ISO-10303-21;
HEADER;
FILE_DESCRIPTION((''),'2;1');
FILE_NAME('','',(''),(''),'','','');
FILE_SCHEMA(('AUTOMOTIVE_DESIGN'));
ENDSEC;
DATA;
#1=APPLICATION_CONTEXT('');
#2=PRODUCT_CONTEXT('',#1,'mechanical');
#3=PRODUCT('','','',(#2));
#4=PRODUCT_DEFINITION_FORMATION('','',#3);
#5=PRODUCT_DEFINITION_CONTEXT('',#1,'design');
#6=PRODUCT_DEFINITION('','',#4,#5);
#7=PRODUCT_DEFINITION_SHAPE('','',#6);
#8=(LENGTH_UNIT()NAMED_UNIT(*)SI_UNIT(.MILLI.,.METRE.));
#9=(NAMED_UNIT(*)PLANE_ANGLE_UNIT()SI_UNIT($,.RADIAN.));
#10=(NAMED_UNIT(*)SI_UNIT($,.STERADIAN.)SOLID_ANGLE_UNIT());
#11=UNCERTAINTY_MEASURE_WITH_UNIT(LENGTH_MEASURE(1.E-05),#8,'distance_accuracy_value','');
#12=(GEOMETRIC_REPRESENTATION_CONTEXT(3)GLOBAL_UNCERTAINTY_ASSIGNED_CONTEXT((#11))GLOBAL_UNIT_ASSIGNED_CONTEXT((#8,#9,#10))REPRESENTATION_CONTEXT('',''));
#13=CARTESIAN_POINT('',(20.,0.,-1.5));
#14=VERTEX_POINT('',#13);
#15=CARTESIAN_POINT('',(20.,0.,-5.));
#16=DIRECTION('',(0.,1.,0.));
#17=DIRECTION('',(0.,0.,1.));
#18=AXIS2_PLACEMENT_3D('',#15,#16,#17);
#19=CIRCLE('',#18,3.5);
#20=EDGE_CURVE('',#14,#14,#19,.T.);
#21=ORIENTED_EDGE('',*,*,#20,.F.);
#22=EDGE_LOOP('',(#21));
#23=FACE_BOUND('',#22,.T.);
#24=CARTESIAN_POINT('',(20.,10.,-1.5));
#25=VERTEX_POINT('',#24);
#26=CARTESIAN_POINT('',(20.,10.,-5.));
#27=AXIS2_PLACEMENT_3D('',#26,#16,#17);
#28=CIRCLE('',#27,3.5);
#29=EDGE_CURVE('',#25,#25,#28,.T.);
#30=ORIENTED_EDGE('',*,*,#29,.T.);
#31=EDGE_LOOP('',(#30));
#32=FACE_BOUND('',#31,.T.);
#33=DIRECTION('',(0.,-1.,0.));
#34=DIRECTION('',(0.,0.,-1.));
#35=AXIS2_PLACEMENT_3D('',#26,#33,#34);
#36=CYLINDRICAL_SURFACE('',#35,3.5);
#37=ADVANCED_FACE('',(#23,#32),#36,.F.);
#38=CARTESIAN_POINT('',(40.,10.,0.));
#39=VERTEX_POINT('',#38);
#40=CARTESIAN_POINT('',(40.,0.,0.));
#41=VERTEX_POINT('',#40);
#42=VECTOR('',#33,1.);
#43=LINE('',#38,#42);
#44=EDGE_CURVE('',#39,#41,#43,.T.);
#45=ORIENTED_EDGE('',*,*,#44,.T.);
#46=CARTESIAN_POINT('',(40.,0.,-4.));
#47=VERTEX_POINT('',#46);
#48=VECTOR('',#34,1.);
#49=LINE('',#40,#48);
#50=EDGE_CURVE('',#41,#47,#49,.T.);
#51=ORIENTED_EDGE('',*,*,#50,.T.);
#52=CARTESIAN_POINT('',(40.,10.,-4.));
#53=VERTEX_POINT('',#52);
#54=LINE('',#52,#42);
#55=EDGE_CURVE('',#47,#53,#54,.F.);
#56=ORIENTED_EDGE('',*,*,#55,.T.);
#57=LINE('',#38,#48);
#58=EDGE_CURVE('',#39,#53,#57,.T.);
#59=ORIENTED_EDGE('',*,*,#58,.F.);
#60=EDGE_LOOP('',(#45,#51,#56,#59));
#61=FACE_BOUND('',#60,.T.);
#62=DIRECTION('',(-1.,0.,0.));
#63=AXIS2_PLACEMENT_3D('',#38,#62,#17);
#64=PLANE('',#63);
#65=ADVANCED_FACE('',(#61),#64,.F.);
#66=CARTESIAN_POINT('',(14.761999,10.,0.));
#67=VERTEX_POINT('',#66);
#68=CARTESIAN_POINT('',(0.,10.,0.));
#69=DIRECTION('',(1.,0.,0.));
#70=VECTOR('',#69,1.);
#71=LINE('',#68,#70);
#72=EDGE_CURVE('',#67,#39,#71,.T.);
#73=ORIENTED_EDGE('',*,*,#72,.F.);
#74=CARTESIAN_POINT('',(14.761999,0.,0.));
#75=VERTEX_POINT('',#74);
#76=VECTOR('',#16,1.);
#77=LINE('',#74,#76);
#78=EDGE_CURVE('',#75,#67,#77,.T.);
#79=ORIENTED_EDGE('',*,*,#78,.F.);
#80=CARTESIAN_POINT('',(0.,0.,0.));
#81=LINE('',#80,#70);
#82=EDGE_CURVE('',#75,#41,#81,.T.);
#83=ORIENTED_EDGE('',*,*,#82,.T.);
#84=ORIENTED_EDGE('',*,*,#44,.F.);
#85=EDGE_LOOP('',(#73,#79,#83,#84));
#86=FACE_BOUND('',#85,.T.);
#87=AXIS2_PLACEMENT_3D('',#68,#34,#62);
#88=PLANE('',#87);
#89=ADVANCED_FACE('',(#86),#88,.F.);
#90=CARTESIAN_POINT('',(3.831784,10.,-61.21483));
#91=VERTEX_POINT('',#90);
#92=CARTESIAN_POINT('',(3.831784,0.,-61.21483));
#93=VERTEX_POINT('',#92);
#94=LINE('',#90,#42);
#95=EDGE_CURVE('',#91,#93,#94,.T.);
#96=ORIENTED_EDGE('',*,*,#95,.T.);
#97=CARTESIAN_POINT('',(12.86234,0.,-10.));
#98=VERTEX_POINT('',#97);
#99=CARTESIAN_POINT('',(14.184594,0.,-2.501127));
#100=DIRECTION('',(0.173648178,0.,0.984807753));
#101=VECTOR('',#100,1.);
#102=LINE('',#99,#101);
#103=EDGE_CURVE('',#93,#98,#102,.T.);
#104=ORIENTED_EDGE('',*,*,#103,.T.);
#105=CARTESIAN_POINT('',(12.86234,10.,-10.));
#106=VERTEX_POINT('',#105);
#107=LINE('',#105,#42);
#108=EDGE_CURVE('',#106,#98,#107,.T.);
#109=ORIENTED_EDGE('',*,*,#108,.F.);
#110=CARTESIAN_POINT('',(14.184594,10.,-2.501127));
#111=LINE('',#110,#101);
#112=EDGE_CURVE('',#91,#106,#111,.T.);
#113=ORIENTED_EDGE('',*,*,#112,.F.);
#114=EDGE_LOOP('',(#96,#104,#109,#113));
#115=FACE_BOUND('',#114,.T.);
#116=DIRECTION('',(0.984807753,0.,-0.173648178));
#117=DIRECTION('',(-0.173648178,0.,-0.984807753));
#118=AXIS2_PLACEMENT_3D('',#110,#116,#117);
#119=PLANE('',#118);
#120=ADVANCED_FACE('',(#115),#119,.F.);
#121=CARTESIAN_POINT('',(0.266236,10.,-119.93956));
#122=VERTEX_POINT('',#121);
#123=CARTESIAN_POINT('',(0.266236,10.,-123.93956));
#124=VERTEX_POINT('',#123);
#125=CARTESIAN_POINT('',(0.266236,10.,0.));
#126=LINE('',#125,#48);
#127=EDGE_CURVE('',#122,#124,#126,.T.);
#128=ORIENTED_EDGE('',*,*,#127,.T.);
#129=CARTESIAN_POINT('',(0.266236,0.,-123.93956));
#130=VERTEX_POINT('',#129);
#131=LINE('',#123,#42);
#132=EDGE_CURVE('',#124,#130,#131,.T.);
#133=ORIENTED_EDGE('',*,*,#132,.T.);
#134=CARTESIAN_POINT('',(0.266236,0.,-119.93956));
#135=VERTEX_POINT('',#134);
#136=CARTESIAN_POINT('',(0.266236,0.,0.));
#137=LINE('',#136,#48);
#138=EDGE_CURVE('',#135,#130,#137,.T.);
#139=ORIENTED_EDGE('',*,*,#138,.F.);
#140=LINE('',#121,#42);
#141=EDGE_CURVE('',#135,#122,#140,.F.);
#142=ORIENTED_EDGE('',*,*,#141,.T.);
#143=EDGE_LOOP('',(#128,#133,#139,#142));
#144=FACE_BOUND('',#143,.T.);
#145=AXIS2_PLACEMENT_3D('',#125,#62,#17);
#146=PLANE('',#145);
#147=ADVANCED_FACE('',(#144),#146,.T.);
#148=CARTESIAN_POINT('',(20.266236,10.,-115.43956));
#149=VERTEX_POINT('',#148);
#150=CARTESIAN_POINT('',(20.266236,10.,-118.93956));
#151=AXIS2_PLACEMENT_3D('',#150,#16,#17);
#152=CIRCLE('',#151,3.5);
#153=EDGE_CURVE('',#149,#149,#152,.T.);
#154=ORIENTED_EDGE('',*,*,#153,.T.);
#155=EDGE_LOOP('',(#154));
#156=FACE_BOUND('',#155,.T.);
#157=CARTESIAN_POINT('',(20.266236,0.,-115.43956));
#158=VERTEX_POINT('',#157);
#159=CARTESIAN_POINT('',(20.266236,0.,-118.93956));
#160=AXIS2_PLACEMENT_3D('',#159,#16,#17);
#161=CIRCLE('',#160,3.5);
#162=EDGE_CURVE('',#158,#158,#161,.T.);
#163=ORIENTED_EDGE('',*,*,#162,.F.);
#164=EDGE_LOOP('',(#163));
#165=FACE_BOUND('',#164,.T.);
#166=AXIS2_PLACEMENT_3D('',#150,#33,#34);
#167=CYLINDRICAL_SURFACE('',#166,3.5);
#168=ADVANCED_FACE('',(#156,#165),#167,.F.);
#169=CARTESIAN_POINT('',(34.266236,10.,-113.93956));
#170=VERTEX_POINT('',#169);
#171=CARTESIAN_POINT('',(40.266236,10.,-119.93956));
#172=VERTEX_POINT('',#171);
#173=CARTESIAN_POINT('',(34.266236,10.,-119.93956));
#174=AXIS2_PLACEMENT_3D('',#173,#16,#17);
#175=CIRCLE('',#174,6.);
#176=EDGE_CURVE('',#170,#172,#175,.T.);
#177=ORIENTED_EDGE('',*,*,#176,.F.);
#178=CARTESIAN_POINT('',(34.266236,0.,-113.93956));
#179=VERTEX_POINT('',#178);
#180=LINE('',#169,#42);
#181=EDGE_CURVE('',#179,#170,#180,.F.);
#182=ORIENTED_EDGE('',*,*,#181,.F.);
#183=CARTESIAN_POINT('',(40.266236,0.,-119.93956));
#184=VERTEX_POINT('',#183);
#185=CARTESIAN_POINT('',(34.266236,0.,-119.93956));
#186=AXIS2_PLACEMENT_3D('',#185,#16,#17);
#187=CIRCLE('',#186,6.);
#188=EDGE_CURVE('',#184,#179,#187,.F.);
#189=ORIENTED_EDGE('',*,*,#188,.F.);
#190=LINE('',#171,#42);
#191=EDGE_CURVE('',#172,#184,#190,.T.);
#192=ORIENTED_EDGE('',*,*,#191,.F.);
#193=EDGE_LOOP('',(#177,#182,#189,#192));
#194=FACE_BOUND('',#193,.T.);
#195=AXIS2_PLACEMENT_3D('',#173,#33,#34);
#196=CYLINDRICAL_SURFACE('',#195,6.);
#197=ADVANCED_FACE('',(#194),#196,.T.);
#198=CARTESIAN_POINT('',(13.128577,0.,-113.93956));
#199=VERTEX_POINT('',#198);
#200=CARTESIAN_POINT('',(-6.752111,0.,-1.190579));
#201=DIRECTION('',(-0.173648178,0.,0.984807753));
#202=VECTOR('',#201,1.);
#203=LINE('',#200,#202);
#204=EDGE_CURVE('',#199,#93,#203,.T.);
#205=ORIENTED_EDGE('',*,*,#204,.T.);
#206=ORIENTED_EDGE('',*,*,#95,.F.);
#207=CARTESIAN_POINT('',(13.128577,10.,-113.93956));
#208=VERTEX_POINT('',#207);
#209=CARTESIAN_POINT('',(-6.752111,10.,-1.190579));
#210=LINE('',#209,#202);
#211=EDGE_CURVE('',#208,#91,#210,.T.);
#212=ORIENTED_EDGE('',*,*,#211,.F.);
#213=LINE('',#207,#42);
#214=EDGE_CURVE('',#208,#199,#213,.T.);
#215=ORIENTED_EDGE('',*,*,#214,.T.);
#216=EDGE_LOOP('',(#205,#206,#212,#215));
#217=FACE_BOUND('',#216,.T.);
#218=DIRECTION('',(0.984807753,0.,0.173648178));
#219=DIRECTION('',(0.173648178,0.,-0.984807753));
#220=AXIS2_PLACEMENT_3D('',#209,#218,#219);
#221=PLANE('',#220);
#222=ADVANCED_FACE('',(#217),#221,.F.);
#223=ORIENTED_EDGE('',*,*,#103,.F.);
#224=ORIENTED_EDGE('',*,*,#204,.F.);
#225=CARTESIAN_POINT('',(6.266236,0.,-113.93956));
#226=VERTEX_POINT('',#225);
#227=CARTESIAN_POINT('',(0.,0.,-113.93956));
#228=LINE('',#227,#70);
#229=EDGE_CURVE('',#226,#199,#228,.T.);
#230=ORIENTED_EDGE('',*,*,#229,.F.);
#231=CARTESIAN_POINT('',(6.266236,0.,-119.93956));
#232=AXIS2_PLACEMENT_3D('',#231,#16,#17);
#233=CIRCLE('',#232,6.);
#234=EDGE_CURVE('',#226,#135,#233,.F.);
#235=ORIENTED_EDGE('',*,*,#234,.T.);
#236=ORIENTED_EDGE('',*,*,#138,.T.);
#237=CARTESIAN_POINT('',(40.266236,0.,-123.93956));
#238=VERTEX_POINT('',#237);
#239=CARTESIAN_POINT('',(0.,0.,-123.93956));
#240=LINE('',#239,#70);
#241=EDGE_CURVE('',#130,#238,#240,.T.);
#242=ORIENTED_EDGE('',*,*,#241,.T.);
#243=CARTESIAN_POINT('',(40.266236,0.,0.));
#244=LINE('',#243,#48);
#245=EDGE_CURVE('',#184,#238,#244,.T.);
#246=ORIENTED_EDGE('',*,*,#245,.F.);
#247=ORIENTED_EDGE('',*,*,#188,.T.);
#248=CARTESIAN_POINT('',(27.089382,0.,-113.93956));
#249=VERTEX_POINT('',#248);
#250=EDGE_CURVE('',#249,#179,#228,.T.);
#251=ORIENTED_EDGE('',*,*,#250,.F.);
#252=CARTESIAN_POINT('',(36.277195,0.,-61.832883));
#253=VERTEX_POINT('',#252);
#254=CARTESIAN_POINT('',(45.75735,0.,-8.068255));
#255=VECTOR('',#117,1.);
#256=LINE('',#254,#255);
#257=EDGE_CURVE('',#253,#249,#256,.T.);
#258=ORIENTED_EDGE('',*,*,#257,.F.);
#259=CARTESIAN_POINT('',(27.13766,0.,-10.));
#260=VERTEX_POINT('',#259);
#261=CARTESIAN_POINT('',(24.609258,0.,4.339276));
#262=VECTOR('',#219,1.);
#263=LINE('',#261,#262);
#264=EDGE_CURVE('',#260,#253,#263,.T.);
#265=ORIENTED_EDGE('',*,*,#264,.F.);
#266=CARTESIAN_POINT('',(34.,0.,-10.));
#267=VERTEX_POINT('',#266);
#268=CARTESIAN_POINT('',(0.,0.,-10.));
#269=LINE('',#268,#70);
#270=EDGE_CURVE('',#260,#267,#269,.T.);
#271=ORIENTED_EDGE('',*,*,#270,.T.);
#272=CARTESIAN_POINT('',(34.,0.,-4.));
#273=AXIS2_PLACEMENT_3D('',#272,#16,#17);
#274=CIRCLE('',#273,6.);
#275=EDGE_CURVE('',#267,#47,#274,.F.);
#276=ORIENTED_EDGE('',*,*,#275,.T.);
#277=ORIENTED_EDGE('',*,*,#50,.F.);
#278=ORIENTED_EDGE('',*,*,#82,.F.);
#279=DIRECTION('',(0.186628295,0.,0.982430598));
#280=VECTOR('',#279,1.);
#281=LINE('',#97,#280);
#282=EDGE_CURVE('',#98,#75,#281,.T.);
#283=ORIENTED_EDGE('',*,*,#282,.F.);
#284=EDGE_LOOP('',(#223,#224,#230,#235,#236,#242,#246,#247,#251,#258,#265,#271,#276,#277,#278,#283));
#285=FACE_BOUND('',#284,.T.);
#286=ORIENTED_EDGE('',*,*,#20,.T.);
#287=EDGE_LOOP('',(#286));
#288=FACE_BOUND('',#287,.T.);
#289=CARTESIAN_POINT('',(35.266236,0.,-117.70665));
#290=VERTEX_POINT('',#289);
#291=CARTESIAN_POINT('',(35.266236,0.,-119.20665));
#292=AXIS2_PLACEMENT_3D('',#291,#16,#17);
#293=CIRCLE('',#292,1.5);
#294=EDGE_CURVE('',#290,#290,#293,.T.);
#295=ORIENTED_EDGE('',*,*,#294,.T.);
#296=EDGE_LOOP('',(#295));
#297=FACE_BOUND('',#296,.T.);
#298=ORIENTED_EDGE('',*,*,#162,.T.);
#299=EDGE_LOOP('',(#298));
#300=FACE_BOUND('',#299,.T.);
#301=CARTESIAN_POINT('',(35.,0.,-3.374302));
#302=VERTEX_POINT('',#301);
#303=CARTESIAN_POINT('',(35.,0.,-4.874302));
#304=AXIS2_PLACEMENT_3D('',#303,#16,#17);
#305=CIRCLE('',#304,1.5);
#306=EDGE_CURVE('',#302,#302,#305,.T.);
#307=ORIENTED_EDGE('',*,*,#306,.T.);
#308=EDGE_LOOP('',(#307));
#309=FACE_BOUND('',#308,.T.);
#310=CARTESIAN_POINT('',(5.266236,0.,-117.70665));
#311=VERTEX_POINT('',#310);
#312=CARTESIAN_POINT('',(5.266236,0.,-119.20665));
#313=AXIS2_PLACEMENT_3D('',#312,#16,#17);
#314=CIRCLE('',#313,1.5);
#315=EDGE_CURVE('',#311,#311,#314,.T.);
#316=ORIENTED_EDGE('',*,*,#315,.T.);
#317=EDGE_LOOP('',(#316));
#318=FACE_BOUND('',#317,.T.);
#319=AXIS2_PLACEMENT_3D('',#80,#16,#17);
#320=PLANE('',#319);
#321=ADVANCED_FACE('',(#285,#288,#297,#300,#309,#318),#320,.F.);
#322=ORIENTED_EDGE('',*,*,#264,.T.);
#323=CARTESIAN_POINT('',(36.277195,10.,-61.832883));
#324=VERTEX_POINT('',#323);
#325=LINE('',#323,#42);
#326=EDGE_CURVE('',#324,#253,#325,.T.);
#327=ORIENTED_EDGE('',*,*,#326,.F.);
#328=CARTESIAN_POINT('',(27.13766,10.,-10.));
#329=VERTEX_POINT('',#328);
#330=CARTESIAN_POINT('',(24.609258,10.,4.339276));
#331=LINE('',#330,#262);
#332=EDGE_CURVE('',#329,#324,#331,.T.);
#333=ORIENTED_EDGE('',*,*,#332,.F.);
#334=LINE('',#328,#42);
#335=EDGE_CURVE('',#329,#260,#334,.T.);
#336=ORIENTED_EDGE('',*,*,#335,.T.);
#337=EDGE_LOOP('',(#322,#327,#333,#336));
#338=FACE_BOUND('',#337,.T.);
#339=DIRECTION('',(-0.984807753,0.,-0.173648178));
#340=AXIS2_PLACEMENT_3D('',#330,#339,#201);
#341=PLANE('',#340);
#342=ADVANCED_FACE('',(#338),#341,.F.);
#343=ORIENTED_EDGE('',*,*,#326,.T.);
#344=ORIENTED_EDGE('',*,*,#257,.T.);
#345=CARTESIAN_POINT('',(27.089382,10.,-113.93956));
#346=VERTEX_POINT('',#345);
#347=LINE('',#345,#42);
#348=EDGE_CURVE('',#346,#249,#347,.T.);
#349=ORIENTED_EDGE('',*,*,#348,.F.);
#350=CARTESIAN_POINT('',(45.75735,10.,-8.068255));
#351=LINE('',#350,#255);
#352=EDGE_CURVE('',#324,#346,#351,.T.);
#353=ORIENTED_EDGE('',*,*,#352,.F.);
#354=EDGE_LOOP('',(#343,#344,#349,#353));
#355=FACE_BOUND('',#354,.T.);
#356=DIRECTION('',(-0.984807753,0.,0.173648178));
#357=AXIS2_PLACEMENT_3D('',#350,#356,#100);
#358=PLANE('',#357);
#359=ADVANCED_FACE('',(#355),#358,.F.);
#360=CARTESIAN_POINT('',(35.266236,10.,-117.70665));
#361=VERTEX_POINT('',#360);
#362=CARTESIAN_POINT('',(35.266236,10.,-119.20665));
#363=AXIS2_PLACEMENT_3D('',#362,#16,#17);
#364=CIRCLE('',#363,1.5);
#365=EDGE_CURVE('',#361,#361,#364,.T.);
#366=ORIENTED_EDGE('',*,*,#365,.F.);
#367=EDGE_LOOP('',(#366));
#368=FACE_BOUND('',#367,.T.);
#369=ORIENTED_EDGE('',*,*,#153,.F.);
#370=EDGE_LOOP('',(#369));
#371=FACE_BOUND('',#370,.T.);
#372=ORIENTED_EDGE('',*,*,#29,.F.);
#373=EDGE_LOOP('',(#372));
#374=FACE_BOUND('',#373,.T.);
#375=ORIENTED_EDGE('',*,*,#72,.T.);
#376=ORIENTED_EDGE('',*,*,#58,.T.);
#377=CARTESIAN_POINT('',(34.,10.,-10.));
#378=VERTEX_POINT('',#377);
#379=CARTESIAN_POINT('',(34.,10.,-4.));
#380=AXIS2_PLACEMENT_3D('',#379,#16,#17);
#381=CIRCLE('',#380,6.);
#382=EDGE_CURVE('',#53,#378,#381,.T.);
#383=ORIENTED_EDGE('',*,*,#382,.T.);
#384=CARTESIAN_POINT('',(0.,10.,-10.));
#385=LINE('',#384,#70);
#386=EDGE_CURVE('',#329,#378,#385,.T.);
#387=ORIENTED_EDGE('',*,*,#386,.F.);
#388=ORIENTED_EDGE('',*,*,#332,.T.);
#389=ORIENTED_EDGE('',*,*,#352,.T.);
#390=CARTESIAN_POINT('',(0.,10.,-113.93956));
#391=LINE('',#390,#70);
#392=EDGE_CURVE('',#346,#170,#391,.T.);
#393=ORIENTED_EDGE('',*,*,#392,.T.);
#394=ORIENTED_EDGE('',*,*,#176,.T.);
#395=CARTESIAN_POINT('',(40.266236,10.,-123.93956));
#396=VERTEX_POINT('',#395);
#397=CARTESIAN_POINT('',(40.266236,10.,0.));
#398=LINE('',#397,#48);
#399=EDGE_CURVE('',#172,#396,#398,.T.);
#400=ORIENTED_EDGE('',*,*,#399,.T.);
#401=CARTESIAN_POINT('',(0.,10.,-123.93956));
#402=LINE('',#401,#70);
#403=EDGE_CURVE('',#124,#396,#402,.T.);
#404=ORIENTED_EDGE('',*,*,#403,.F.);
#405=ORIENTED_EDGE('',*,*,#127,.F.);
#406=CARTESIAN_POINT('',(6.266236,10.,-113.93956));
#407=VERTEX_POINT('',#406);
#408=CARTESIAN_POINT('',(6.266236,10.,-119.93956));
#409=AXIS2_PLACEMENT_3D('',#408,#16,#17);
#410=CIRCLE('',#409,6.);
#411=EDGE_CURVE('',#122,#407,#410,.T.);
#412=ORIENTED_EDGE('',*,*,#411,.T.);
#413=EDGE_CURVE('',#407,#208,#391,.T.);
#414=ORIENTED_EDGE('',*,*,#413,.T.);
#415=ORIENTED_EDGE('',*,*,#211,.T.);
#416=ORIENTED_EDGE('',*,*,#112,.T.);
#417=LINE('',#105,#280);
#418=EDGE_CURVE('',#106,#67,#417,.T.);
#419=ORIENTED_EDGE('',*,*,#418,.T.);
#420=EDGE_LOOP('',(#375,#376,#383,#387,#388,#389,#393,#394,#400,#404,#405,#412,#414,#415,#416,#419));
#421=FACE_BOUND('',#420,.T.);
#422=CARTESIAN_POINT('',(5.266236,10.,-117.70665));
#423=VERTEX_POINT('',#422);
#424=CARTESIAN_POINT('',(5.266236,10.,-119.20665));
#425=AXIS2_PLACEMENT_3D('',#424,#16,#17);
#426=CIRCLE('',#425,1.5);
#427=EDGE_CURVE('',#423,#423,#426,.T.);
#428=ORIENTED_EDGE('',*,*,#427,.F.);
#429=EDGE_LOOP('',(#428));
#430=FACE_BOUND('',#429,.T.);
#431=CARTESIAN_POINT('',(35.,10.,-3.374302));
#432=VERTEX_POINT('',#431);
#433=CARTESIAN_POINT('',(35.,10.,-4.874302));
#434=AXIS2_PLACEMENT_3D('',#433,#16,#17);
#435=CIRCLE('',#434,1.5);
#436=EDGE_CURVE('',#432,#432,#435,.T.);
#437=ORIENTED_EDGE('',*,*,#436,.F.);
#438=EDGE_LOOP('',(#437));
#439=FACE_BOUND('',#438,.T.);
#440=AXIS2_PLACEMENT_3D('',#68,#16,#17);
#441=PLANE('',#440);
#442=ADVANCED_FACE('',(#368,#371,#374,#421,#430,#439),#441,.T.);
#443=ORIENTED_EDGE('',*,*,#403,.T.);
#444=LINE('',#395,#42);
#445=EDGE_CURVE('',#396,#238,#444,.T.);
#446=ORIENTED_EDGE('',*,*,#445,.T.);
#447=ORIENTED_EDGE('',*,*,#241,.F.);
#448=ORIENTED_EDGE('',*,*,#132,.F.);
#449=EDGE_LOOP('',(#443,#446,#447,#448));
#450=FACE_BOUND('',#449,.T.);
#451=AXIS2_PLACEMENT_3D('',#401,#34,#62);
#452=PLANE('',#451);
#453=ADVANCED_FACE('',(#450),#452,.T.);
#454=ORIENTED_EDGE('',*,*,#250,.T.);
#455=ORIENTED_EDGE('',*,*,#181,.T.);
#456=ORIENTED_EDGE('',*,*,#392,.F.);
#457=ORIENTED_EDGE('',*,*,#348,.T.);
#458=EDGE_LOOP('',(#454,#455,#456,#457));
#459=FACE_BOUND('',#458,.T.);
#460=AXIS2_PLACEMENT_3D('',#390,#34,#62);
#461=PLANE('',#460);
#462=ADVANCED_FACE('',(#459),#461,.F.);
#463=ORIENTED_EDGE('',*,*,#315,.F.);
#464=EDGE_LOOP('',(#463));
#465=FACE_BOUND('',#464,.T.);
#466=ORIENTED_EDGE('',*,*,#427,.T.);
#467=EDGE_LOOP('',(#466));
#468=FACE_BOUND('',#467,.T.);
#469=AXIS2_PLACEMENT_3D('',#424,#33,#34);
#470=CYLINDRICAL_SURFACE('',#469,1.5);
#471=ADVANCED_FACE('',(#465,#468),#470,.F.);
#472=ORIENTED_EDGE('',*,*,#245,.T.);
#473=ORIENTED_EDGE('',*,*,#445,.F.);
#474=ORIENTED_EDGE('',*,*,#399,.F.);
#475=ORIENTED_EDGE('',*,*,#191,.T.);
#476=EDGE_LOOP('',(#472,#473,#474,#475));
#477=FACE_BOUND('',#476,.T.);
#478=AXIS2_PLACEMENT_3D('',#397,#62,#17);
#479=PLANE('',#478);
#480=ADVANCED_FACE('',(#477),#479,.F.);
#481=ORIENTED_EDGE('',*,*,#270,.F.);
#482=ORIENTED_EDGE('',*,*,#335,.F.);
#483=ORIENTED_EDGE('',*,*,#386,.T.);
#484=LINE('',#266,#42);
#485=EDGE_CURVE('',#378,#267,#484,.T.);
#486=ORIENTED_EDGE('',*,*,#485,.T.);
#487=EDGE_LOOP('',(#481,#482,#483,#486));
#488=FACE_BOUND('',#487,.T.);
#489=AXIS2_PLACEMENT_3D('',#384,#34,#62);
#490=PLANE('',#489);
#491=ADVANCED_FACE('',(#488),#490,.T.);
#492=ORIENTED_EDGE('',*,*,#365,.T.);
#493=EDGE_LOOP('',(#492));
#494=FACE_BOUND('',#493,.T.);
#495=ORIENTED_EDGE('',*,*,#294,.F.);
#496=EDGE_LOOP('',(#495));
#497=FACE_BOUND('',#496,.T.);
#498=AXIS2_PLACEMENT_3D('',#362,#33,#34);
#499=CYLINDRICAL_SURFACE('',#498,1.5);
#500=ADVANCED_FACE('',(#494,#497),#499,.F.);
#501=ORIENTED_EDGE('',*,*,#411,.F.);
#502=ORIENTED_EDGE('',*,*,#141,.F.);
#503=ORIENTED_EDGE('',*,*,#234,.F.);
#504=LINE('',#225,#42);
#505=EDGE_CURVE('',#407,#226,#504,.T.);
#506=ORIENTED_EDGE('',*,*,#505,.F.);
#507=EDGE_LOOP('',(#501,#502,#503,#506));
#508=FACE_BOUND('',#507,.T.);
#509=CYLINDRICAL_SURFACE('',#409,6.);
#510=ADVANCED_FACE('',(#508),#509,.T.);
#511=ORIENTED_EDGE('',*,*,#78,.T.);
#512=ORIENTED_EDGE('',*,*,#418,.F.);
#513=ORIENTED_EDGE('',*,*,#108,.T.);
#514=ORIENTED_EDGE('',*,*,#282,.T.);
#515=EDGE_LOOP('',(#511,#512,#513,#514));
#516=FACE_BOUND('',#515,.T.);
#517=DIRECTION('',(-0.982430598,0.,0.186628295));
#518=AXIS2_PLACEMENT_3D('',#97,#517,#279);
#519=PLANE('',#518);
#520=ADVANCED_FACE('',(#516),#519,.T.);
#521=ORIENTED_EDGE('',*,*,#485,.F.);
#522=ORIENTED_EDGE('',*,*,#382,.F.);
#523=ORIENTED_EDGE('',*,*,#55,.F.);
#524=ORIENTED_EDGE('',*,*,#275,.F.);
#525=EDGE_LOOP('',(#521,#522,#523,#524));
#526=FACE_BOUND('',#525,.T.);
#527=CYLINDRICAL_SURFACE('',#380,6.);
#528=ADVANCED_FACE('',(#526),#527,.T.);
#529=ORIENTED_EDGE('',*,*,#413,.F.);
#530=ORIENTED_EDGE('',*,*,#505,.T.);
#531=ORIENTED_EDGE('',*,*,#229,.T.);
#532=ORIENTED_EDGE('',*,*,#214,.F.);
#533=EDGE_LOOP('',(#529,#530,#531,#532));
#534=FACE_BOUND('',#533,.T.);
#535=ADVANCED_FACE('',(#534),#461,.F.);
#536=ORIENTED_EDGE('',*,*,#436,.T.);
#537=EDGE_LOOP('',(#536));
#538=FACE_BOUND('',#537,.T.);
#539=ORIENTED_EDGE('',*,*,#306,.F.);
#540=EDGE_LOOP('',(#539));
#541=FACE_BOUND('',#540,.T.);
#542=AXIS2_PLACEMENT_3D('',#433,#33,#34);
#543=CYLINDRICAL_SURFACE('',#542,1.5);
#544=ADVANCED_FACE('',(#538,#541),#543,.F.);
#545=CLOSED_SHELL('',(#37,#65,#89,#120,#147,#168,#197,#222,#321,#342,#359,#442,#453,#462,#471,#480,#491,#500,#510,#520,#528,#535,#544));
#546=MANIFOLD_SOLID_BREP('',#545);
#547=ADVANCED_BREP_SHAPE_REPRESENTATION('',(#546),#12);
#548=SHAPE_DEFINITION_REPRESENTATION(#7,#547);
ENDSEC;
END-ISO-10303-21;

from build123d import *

# Parameters (mm, degrees)
SKETCH2_R           = 1.5
SKETCH2_R_2         = 3.5
SKETCH2_W           = 40
SKETCH2_H           = 10
BOSS_EXTRUDE1_DEPTH = 10
FILLET1_R           = 6
CUT_EXTRUDE2_DEPTH  = 11


with BuildPart() as part:
    # Sketch2 → Boss-Extrude1 (new body)
    with BuildSketch(Plane(origin=(0, 0, 0), x_dir=(1, 0, 0), z_dir=(0, 1, 0))):
        Polygon((27.08938228, 113.93955974), (13.128576505, 113.93955974), (3.831784068, 61.214829812), (12.862340376, 10), (27.137659624, 10), (36.277195325, 61.83288266), align=None)
        Polygon((0.266236129, 113.93955974), (13.128576505, 113.93955974), (27.08938228, 113.93955974), (40.266236129, 113.93955974), (40.266236129, 123.93955974), (0.266236129, 123.93955974), align=None)
        with Locations((5.266236129, 119.206649777)):
            Circle(SKETCH2_R, mode=Mode.SUBTRACT)
        with Locations((20.266236129, 118.93955974)):
            Circle(SKETCH2_R_2, mode=Mode.SUBTRACT)
        with Locations((35.266236129, 119.206649777)):
            Circle(SKETCH2_R, mode=Mode.SUBTRACT)
        with Locations((20, 5)):
            Rectangle(SKETCH2_W, SKETCH2_H)
        with Locations((35, 4.874301968)):
            Circle(SKETCH2_R, mode=Mode.SUBTRACT)
        with Locations((5, 4.874301968)):
            Circle(SKETCH2_R, mode=Mode.SUBTRACT)
        with Locations((20, 5)):
            Circle(SKETCH2_R_2, mode=Mode.SUBTRACT)
    extrude(amount=BOSS_EXTRUDE1_DEPTH)

    # Fillet1
    fillet1_edges = [part.edges().sort_by_distance(p)[0] for p in [
        (40, 5, -10),
        (0, 5, -10),
        (0.266236129, 5, -113.93955974),
        (40.266236129, 5, -113.93955974),
    ]]
    fillet(fillet1_edges, radius=FILLET1_R)

    # Sketch3 → Cut-Extrude2 (cut, through all)
    with BuildSketch(Plane(origin=(0, 10, 0), x_dir=(1, 0, 0), z_dir=(0, 1, 0))):
        Polygon((14.761999195, 0), (0, 0), (0, 10.134747314), (12.862340376, 10), align=None)
    extrude(amount=-CUT_EXTRUDE2_DEPTH, mode=Mode.SUBTRACT)


solid = part.part
